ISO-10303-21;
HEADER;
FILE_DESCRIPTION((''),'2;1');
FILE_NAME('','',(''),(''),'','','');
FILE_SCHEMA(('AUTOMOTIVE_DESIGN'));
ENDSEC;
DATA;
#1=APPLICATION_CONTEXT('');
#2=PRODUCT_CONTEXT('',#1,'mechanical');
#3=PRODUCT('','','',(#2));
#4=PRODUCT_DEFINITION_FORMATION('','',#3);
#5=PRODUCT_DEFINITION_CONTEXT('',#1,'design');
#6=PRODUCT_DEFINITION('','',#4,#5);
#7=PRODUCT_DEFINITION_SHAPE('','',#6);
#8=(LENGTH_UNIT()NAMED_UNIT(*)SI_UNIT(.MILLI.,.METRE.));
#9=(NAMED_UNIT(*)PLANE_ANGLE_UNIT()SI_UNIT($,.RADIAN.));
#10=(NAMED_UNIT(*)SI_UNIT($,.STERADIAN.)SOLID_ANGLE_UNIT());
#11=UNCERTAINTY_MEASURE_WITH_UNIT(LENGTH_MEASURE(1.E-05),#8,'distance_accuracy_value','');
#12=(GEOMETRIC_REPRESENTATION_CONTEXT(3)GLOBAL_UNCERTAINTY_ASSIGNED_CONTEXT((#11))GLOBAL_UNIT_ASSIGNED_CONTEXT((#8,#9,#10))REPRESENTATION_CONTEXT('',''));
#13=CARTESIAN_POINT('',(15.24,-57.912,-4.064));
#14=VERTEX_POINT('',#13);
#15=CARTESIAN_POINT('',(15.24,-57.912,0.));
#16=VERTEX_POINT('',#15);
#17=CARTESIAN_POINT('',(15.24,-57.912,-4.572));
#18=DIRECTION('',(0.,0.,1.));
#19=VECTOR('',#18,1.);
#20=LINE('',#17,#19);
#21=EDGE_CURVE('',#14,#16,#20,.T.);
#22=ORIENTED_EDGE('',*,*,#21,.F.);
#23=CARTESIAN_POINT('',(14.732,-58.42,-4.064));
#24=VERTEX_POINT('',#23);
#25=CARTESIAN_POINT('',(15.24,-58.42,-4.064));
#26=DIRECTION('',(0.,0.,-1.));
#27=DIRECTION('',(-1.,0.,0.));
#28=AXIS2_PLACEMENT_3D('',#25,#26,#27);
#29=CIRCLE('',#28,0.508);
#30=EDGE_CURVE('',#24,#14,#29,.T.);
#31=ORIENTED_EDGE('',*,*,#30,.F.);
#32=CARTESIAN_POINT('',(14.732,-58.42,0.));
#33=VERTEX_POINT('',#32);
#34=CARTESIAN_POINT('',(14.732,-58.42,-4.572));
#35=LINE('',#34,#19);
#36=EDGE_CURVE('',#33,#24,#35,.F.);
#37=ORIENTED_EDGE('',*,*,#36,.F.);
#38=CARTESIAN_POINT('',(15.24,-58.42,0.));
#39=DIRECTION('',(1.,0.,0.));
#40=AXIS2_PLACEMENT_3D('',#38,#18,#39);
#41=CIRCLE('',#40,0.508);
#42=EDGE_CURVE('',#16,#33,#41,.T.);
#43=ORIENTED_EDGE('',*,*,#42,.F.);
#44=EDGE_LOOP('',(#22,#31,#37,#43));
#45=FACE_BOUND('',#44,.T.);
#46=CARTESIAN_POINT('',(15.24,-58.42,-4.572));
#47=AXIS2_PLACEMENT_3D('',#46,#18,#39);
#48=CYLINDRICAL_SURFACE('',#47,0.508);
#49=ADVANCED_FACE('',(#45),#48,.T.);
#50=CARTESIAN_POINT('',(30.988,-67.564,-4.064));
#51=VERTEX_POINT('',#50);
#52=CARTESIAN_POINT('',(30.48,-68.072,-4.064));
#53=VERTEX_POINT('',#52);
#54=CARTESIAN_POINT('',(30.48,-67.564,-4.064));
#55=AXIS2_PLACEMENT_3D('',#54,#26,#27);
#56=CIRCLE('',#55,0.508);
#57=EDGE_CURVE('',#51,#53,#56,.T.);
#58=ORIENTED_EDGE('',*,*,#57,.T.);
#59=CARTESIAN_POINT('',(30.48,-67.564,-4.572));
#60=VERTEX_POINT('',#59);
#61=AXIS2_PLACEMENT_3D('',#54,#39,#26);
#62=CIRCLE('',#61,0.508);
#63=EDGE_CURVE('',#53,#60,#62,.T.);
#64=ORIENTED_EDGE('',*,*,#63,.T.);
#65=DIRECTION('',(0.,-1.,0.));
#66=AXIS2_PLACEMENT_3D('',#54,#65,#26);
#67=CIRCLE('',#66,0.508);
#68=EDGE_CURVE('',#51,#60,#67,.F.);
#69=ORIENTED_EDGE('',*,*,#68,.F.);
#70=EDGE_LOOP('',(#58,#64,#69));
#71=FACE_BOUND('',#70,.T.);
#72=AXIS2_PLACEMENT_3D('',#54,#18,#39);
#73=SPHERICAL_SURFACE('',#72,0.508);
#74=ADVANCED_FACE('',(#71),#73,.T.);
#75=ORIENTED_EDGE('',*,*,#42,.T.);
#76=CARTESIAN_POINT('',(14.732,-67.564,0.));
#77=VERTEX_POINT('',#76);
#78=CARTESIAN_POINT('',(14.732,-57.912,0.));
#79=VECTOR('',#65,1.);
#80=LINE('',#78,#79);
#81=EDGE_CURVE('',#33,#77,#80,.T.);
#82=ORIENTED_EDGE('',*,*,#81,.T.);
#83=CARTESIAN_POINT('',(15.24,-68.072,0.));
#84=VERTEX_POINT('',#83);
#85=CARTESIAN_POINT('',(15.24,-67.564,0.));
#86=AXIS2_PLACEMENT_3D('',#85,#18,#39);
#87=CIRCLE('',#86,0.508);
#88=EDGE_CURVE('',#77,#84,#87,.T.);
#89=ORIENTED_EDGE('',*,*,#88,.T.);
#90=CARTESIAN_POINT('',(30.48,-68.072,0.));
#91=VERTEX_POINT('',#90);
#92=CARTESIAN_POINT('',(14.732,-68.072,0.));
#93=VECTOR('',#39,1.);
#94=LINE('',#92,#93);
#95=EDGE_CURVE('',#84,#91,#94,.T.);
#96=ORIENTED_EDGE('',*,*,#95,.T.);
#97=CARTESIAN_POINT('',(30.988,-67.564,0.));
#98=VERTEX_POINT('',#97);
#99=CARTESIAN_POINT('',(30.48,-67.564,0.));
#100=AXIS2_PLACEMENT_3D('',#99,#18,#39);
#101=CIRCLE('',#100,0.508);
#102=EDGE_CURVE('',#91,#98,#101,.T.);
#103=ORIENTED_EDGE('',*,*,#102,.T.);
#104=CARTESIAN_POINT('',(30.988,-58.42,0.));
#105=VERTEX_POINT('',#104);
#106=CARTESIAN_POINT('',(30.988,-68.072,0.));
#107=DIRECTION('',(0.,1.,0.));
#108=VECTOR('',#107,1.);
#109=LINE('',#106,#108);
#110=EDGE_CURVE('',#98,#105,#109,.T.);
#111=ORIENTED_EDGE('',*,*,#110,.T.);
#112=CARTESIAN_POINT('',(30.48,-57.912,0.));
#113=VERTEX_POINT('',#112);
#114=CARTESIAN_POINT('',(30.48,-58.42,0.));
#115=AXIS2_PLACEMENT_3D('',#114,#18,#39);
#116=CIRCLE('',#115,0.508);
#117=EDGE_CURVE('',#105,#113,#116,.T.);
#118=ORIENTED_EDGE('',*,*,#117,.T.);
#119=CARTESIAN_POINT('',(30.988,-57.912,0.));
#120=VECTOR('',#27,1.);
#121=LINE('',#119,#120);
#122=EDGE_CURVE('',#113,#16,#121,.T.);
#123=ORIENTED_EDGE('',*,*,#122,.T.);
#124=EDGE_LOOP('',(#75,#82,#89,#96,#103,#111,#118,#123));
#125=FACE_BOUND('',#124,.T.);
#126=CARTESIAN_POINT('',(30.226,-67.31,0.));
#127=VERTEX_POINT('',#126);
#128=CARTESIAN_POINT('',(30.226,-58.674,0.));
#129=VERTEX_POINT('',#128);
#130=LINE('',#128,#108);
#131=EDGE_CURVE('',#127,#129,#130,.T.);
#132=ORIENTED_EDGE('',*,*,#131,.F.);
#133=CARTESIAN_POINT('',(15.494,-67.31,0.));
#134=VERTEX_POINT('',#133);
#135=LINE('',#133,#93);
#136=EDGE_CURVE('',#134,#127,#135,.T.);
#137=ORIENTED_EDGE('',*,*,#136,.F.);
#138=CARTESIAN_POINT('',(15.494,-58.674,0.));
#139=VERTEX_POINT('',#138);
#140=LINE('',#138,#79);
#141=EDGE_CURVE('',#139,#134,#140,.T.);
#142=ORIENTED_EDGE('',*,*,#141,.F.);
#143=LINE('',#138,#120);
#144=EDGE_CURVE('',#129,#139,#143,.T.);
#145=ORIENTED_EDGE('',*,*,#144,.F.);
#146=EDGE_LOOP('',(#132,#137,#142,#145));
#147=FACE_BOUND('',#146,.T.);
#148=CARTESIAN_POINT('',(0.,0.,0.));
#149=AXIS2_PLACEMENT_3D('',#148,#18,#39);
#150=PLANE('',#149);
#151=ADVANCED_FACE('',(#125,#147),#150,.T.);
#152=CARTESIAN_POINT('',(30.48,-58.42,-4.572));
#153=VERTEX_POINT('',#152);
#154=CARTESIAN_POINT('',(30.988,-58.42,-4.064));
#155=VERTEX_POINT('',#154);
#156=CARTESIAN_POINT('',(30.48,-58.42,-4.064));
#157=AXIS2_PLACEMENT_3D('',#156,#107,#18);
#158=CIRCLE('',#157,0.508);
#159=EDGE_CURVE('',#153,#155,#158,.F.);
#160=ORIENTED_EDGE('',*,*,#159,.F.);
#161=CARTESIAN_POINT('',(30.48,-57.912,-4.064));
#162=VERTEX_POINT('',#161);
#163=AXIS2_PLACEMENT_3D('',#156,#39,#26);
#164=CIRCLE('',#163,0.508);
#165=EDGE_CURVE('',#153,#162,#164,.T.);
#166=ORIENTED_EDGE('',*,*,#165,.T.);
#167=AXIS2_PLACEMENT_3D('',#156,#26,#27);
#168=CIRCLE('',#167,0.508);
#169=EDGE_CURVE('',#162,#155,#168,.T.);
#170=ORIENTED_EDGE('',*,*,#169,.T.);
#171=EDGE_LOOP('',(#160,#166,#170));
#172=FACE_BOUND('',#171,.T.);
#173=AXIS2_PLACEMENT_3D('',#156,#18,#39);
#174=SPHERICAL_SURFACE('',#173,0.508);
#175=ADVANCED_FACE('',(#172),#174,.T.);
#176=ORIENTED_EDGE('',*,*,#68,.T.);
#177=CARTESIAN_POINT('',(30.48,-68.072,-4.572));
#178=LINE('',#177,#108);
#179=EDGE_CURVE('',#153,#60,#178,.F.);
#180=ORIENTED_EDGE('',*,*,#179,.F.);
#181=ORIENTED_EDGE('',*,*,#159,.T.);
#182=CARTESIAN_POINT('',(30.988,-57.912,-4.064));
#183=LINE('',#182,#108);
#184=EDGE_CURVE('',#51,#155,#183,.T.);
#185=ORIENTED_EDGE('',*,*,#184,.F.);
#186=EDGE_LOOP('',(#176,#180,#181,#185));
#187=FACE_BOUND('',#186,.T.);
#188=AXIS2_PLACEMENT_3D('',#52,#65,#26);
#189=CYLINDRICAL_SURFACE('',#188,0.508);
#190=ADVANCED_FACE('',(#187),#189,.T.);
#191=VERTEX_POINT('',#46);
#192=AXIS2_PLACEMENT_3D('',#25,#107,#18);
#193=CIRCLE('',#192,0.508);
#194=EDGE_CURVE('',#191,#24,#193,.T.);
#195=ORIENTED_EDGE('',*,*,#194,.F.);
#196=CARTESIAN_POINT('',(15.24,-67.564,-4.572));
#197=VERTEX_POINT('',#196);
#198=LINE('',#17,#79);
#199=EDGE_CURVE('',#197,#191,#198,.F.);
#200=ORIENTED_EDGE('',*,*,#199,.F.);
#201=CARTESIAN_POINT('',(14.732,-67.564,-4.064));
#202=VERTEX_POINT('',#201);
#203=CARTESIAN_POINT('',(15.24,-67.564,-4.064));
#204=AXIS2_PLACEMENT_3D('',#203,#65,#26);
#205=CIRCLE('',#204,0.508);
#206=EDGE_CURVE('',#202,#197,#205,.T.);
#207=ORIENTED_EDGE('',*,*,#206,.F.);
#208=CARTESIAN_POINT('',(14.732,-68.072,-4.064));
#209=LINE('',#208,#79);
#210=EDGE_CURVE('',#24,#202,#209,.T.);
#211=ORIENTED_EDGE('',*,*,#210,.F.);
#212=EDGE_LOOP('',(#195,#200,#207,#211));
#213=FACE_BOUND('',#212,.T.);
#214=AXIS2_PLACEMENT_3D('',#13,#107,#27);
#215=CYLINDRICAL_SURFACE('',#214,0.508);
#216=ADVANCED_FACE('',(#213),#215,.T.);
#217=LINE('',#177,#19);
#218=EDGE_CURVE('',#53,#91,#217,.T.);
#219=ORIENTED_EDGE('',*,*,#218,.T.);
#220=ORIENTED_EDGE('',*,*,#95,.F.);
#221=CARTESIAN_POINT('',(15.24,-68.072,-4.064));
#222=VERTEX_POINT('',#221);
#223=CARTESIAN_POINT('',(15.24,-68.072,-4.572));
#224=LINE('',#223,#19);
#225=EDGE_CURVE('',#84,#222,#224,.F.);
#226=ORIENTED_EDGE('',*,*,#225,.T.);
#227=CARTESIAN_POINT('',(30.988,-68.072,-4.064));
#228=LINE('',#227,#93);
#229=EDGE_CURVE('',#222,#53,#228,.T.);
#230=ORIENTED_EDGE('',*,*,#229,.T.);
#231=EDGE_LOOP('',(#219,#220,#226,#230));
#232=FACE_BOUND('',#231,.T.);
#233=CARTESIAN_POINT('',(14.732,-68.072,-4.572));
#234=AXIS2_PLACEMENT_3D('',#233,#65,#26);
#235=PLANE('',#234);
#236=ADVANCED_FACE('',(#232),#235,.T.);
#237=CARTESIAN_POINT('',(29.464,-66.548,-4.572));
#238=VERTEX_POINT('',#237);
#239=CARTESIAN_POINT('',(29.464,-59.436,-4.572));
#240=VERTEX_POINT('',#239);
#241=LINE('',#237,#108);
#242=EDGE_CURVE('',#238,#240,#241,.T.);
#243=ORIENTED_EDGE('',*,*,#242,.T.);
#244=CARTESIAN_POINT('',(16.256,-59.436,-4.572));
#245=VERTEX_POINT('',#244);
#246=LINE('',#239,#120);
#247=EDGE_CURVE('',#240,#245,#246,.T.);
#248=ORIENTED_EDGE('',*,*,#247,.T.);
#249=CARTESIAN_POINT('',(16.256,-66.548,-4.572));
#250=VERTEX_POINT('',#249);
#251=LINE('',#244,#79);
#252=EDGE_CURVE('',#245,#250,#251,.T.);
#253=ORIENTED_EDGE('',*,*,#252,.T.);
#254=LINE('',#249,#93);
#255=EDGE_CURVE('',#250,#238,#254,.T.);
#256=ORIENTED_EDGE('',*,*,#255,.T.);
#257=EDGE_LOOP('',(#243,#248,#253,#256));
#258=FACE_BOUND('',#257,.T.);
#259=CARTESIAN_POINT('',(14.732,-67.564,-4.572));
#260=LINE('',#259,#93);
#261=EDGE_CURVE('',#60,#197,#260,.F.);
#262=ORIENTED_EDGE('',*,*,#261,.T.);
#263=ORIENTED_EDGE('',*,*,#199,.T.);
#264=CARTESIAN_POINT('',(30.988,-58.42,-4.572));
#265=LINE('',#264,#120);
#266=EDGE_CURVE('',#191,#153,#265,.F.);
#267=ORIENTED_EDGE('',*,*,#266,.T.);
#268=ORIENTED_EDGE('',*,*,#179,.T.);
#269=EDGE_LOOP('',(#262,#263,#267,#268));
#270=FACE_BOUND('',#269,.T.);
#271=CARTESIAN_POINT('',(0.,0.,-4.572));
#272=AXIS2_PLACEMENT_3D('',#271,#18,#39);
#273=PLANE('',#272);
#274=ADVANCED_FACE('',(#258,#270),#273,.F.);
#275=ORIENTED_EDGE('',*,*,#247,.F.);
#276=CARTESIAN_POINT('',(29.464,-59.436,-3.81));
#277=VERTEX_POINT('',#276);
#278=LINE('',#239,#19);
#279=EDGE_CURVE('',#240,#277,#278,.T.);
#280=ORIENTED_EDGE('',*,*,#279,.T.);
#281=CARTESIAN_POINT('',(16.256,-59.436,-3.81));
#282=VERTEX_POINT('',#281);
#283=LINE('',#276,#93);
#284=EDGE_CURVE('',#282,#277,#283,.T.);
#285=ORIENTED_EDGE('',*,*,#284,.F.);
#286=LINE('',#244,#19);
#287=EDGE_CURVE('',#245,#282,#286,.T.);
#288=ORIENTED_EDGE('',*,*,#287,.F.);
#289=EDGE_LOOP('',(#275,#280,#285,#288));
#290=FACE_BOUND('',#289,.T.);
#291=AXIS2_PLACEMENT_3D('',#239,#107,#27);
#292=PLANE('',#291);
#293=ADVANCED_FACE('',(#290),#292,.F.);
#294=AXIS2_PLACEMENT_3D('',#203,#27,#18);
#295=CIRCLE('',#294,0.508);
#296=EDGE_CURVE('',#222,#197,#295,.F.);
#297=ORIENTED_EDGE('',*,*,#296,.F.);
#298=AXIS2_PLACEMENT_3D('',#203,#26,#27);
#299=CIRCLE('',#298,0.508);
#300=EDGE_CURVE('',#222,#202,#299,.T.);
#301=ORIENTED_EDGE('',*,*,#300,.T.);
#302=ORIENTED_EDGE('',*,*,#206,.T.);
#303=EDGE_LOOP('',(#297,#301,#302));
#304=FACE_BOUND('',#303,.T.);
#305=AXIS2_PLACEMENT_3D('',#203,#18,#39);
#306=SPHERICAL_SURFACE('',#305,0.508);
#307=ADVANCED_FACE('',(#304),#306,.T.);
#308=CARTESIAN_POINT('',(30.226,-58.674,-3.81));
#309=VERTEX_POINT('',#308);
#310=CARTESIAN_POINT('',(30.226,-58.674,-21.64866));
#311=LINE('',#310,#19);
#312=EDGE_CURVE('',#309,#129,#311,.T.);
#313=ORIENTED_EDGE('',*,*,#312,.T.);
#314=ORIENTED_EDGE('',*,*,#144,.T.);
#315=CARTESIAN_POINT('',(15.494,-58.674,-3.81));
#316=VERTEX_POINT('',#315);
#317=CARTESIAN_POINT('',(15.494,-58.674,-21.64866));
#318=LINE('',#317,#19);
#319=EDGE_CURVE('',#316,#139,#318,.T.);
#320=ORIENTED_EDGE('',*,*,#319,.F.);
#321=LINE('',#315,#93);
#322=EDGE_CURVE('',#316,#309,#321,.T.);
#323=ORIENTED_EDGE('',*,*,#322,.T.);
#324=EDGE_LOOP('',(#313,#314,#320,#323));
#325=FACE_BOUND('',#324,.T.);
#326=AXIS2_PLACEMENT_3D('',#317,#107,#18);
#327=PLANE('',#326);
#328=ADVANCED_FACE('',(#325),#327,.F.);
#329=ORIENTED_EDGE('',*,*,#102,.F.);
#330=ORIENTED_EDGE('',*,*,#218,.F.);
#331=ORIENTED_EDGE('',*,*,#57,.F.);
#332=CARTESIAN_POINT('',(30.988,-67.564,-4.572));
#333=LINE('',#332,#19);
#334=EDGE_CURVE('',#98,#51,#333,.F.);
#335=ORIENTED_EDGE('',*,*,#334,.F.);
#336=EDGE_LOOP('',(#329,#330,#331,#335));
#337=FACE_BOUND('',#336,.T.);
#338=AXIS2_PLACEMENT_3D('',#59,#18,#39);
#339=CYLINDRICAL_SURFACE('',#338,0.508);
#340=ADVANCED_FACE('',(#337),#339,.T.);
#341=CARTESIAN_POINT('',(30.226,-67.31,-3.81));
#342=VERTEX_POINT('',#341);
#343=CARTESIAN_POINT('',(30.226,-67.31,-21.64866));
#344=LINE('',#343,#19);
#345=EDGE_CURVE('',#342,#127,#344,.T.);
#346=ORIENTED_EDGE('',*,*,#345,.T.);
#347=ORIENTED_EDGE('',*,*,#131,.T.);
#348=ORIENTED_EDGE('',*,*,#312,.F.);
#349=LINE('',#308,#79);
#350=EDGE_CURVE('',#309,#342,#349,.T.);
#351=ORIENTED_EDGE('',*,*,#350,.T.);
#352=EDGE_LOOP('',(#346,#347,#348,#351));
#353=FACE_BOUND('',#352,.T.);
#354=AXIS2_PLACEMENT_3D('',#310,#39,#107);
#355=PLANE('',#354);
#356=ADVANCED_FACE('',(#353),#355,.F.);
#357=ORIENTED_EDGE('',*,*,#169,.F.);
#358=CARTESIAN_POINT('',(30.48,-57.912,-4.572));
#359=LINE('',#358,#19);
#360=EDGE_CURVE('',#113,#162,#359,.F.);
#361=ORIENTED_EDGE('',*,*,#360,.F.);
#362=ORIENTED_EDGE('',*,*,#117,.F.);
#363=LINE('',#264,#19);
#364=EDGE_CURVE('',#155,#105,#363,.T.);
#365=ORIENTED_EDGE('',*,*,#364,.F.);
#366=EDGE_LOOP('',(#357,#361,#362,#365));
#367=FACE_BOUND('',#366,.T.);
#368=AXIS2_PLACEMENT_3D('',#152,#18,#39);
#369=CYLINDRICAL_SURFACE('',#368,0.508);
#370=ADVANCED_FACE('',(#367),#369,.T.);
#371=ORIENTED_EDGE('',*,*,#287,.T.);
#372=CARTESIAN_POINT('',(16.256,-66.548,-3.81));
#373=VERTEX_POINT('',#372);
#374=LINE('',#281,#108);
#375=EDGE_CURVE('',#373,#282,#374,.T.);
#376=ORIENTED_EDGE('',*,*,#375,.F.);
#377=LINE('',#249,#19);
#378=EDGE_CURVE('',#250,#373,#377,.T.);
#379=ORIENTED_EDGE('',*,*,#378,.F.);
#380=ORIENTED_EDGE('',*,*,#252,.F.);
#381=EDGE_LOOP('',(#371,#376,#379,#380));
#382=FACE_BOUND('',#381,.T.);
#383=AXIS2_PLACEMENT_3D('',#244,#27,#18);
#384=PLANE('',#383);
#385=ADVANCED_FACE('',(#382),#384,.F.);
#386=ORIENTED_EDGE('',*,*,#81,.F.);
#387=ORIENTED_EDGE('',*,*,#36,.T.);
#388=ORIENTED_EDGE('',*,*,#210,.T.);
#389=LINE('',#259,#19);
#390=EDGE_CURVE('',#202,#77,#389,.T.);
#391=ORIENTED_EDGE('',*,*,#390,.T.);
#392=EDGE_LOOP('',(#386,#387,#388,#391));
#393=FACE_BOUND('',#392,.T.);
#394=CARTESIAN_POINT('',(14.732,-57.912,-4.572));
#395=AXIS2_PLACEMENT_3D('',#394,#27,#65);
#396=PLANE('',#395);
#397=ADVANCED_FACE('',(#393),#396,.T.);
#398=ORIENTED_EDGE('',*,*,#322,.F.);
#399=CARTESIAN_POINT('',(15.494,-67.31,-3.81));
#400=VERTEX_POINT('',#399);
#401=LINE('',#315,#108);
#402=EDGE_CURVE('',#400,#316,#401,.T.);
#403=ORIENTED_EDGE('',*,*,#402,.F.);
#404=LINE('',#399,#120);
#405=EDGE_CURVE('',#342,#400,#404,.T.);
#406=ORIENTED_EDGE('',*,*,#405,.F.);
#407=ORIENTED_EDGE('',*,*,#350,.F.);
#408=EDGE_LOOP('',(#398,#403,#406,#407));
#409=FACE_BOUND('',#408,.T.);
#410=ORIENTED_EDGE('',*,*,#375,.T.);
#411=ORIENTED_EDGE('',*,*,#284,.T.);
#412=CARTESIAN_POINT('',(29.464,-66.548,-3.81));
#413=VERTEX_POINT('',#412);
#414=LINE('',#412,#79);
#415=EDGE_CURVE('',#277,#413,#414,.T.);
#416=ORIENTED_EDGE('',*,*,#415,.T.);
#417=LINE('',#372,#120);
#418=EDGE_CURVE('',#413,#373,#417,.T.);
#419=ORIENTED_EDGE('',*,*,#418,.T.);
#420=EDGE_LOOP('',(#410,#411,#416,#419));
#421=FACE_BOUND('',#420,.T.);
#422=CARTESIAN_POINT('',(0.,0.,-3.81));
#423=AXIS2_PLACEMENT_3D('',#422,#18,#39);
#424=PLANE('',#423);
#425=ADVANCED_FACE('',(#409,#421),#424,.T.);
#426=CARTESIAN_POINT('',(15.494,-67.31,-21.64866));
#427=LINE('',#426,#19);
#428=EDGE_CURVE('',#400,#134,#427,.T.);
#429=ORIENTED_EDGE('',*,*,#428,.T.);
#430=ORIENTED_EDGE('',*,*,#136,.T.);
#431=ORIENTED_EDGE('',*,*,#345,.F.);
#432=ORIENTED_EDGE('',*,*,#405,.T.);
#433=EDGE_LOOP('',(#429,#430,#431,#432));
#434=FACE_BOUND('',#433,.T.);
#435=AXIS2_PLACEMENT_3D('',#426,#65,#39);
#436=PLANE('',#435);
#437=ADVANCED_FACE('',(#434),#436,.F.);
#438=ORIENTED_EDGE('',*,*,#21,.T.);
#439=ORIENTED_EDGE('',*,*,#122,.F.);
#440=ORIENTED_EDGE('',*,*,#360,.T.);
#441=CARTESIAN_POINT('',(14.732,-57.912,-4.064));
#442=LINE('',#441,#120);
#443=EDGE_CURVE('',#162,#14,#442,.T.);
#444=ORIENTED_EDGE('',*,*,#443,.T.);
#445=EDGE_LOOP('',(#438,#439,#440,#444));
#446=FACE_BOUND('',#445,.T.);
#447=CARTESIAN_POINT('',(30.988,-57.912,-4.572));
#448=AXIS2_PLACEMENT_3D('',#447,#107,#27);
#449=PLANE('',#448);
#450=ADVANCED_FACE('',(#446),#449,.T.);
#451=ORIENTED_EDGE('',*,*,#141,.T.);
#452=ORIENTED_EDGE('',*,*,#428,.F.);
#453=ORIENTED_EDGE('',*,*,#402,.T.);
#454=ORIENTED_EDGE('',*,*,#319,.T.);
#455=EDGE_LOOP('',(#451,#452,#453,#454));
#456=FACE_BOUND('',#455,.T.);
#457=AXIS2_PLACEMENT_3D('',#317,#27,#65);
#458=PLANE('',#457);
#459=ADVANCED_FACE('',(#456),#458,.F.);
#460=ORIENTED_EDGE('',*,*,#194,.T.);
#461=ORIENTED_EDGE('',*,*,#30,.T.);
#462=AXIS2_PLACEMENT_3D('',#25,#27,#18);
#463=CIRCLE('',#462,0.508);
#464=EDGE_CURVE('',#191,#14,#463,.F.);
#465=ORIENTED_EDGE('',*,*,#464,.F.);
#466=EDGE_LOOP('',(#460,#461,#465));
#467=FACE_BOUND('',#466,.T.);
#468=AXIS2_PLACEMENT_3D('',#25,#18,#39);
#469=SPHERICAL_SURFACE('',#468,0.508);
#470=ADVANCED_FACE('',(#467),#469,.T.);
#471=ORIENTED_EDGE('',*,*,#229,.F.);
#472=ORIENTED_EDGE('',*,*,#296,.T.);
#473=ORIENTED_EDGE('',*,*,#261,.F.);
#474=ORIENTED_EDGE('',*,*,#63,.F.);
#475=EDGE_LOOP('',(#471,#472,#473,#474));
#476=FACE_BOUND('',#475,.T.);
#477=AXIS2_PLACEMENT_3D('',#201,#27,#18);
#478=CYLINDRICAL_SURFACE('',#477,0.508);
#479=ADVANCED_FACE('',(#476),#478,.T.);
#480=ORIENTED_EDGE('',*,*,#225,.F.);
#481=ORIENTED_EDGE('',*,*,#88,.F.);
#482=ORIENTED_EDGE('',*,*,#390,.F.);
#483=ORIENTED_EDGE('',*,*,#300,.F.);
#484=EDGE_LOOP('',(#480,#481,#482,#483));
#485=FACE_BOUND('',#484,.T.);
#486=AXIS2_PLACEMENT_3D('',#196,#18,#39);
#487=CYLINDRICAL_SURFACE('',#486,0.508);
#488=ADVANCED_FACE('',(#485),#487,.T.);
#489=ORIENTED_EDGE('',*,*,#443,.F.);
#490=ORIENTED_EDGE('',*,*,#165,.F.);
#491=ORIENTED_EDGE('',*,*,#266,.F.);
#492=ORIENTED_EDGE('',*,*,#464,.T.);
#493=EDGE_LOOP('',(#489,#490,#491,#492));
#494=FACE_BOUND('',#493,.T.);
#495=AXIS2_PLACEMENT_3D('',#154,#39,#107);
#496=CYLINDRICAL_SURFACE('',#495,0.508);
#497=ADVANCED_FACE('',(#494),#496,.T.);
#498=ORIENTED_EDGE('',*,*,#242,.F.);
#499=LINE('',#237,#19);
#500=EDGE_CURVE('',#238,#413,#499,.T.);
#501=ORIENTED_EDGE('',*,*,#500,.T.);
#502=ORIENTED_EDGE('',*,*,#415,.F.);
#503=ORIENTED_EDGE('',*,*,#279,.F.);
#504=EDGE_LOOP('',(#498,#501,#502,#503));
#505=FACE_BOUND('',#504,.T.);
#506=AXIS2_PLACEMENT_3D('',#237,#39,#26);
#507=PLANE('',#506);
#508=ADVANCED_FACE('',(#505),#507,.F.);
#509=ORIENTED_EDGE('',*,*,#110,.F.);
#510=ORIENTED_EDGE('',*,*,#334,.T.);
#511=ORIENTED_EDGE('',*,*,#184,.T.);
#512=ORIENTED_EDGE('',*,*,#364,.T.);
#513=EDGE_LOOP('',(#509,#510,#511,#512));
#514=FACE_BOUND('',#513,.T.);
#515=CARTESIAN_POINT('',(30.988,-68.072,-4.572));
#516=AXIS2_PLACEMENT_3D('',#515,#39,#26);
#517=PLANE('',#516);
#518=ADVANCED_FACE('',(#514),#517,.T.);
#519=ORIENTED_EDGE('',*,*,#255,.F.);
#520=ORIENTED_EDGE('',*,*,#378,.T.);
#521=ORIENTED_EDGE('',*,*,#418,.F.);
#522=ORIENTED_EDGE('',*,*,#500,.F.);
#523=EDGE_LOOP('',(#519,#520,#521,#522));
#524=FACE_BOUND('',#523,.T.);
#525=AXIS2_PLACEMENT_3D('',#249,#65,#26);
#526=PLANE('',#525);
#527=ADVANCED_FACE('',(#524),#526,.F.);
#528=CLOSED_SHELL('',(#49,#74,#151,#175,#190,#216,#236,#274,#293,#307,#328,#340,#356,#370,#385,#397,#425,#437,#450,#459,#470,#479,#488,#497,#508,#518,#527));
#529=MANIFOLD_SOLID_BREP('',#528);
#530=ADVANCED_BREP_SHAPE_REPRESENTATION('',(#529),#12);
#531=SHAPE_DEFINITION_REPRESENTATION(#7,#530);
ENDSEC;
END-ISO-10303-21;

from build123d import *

# Parameters (mm, degrees)
SKETCH1_W           = 16.256
SKETCH1_H           = 10.16
SKETCH1_W_2         = 13.208
SKETCH1_H_2         = 7.112
BOSS_EXTRUDE1_DEPTH = 4.572
SKETCH2_W           = 14.732
SKETCH2_H           = 8.636
CUT_EXTRUDE1_DEPTH  = 3.81
FILLET1_R           = 0.508


with BuildPart() as part:
    # Sketch1 → Boss-Extrude1 (new body)
    with BuildSketch(Plane.XY):
        with Locations((22.86, -62.992)):
            Rectangle(SKETCH1_W, SKETCH1_H)
        with Locations((22.86, -62.992)):
            Rectangle(SKETCH1_W_2, SKETCH1_H_2, mode=Mode.SUBTRACT)
    extrude(amount=-BOSS_EXTRUDE1_DEPTH)

    # Sketch2 → Cut-Extrude1 (cut)
    with BuildSketch(Plane.XY):
        with Locations((22.86, -62.992)):
            Rectangle(SKETCH2_W, SKETCH2_H)
    extrude(amount=-CUT_EXTRUDE1_DEPTH, mode=Mode.SUBTRACT)

    # Fillet1
    fillet1_edges = [part.edges().sort_by_distance(p)[0] for p in [
        (14.732, -62.992, -4.572),
        (22.86, -68.072, -4.572),
        (30.988, -62.992, -4.572),
        (22.86, -57.912, -4.572),
        (30.988, -68.072, -2.286),
        (14.732, -68.072, -2.286),
        (14.732, -57.912, -2.286),
        (30.988, -57.912, -2.286),
    ]]
    fillet(fillet1_edges, radius=FILLET1_R)


solid = part.part
